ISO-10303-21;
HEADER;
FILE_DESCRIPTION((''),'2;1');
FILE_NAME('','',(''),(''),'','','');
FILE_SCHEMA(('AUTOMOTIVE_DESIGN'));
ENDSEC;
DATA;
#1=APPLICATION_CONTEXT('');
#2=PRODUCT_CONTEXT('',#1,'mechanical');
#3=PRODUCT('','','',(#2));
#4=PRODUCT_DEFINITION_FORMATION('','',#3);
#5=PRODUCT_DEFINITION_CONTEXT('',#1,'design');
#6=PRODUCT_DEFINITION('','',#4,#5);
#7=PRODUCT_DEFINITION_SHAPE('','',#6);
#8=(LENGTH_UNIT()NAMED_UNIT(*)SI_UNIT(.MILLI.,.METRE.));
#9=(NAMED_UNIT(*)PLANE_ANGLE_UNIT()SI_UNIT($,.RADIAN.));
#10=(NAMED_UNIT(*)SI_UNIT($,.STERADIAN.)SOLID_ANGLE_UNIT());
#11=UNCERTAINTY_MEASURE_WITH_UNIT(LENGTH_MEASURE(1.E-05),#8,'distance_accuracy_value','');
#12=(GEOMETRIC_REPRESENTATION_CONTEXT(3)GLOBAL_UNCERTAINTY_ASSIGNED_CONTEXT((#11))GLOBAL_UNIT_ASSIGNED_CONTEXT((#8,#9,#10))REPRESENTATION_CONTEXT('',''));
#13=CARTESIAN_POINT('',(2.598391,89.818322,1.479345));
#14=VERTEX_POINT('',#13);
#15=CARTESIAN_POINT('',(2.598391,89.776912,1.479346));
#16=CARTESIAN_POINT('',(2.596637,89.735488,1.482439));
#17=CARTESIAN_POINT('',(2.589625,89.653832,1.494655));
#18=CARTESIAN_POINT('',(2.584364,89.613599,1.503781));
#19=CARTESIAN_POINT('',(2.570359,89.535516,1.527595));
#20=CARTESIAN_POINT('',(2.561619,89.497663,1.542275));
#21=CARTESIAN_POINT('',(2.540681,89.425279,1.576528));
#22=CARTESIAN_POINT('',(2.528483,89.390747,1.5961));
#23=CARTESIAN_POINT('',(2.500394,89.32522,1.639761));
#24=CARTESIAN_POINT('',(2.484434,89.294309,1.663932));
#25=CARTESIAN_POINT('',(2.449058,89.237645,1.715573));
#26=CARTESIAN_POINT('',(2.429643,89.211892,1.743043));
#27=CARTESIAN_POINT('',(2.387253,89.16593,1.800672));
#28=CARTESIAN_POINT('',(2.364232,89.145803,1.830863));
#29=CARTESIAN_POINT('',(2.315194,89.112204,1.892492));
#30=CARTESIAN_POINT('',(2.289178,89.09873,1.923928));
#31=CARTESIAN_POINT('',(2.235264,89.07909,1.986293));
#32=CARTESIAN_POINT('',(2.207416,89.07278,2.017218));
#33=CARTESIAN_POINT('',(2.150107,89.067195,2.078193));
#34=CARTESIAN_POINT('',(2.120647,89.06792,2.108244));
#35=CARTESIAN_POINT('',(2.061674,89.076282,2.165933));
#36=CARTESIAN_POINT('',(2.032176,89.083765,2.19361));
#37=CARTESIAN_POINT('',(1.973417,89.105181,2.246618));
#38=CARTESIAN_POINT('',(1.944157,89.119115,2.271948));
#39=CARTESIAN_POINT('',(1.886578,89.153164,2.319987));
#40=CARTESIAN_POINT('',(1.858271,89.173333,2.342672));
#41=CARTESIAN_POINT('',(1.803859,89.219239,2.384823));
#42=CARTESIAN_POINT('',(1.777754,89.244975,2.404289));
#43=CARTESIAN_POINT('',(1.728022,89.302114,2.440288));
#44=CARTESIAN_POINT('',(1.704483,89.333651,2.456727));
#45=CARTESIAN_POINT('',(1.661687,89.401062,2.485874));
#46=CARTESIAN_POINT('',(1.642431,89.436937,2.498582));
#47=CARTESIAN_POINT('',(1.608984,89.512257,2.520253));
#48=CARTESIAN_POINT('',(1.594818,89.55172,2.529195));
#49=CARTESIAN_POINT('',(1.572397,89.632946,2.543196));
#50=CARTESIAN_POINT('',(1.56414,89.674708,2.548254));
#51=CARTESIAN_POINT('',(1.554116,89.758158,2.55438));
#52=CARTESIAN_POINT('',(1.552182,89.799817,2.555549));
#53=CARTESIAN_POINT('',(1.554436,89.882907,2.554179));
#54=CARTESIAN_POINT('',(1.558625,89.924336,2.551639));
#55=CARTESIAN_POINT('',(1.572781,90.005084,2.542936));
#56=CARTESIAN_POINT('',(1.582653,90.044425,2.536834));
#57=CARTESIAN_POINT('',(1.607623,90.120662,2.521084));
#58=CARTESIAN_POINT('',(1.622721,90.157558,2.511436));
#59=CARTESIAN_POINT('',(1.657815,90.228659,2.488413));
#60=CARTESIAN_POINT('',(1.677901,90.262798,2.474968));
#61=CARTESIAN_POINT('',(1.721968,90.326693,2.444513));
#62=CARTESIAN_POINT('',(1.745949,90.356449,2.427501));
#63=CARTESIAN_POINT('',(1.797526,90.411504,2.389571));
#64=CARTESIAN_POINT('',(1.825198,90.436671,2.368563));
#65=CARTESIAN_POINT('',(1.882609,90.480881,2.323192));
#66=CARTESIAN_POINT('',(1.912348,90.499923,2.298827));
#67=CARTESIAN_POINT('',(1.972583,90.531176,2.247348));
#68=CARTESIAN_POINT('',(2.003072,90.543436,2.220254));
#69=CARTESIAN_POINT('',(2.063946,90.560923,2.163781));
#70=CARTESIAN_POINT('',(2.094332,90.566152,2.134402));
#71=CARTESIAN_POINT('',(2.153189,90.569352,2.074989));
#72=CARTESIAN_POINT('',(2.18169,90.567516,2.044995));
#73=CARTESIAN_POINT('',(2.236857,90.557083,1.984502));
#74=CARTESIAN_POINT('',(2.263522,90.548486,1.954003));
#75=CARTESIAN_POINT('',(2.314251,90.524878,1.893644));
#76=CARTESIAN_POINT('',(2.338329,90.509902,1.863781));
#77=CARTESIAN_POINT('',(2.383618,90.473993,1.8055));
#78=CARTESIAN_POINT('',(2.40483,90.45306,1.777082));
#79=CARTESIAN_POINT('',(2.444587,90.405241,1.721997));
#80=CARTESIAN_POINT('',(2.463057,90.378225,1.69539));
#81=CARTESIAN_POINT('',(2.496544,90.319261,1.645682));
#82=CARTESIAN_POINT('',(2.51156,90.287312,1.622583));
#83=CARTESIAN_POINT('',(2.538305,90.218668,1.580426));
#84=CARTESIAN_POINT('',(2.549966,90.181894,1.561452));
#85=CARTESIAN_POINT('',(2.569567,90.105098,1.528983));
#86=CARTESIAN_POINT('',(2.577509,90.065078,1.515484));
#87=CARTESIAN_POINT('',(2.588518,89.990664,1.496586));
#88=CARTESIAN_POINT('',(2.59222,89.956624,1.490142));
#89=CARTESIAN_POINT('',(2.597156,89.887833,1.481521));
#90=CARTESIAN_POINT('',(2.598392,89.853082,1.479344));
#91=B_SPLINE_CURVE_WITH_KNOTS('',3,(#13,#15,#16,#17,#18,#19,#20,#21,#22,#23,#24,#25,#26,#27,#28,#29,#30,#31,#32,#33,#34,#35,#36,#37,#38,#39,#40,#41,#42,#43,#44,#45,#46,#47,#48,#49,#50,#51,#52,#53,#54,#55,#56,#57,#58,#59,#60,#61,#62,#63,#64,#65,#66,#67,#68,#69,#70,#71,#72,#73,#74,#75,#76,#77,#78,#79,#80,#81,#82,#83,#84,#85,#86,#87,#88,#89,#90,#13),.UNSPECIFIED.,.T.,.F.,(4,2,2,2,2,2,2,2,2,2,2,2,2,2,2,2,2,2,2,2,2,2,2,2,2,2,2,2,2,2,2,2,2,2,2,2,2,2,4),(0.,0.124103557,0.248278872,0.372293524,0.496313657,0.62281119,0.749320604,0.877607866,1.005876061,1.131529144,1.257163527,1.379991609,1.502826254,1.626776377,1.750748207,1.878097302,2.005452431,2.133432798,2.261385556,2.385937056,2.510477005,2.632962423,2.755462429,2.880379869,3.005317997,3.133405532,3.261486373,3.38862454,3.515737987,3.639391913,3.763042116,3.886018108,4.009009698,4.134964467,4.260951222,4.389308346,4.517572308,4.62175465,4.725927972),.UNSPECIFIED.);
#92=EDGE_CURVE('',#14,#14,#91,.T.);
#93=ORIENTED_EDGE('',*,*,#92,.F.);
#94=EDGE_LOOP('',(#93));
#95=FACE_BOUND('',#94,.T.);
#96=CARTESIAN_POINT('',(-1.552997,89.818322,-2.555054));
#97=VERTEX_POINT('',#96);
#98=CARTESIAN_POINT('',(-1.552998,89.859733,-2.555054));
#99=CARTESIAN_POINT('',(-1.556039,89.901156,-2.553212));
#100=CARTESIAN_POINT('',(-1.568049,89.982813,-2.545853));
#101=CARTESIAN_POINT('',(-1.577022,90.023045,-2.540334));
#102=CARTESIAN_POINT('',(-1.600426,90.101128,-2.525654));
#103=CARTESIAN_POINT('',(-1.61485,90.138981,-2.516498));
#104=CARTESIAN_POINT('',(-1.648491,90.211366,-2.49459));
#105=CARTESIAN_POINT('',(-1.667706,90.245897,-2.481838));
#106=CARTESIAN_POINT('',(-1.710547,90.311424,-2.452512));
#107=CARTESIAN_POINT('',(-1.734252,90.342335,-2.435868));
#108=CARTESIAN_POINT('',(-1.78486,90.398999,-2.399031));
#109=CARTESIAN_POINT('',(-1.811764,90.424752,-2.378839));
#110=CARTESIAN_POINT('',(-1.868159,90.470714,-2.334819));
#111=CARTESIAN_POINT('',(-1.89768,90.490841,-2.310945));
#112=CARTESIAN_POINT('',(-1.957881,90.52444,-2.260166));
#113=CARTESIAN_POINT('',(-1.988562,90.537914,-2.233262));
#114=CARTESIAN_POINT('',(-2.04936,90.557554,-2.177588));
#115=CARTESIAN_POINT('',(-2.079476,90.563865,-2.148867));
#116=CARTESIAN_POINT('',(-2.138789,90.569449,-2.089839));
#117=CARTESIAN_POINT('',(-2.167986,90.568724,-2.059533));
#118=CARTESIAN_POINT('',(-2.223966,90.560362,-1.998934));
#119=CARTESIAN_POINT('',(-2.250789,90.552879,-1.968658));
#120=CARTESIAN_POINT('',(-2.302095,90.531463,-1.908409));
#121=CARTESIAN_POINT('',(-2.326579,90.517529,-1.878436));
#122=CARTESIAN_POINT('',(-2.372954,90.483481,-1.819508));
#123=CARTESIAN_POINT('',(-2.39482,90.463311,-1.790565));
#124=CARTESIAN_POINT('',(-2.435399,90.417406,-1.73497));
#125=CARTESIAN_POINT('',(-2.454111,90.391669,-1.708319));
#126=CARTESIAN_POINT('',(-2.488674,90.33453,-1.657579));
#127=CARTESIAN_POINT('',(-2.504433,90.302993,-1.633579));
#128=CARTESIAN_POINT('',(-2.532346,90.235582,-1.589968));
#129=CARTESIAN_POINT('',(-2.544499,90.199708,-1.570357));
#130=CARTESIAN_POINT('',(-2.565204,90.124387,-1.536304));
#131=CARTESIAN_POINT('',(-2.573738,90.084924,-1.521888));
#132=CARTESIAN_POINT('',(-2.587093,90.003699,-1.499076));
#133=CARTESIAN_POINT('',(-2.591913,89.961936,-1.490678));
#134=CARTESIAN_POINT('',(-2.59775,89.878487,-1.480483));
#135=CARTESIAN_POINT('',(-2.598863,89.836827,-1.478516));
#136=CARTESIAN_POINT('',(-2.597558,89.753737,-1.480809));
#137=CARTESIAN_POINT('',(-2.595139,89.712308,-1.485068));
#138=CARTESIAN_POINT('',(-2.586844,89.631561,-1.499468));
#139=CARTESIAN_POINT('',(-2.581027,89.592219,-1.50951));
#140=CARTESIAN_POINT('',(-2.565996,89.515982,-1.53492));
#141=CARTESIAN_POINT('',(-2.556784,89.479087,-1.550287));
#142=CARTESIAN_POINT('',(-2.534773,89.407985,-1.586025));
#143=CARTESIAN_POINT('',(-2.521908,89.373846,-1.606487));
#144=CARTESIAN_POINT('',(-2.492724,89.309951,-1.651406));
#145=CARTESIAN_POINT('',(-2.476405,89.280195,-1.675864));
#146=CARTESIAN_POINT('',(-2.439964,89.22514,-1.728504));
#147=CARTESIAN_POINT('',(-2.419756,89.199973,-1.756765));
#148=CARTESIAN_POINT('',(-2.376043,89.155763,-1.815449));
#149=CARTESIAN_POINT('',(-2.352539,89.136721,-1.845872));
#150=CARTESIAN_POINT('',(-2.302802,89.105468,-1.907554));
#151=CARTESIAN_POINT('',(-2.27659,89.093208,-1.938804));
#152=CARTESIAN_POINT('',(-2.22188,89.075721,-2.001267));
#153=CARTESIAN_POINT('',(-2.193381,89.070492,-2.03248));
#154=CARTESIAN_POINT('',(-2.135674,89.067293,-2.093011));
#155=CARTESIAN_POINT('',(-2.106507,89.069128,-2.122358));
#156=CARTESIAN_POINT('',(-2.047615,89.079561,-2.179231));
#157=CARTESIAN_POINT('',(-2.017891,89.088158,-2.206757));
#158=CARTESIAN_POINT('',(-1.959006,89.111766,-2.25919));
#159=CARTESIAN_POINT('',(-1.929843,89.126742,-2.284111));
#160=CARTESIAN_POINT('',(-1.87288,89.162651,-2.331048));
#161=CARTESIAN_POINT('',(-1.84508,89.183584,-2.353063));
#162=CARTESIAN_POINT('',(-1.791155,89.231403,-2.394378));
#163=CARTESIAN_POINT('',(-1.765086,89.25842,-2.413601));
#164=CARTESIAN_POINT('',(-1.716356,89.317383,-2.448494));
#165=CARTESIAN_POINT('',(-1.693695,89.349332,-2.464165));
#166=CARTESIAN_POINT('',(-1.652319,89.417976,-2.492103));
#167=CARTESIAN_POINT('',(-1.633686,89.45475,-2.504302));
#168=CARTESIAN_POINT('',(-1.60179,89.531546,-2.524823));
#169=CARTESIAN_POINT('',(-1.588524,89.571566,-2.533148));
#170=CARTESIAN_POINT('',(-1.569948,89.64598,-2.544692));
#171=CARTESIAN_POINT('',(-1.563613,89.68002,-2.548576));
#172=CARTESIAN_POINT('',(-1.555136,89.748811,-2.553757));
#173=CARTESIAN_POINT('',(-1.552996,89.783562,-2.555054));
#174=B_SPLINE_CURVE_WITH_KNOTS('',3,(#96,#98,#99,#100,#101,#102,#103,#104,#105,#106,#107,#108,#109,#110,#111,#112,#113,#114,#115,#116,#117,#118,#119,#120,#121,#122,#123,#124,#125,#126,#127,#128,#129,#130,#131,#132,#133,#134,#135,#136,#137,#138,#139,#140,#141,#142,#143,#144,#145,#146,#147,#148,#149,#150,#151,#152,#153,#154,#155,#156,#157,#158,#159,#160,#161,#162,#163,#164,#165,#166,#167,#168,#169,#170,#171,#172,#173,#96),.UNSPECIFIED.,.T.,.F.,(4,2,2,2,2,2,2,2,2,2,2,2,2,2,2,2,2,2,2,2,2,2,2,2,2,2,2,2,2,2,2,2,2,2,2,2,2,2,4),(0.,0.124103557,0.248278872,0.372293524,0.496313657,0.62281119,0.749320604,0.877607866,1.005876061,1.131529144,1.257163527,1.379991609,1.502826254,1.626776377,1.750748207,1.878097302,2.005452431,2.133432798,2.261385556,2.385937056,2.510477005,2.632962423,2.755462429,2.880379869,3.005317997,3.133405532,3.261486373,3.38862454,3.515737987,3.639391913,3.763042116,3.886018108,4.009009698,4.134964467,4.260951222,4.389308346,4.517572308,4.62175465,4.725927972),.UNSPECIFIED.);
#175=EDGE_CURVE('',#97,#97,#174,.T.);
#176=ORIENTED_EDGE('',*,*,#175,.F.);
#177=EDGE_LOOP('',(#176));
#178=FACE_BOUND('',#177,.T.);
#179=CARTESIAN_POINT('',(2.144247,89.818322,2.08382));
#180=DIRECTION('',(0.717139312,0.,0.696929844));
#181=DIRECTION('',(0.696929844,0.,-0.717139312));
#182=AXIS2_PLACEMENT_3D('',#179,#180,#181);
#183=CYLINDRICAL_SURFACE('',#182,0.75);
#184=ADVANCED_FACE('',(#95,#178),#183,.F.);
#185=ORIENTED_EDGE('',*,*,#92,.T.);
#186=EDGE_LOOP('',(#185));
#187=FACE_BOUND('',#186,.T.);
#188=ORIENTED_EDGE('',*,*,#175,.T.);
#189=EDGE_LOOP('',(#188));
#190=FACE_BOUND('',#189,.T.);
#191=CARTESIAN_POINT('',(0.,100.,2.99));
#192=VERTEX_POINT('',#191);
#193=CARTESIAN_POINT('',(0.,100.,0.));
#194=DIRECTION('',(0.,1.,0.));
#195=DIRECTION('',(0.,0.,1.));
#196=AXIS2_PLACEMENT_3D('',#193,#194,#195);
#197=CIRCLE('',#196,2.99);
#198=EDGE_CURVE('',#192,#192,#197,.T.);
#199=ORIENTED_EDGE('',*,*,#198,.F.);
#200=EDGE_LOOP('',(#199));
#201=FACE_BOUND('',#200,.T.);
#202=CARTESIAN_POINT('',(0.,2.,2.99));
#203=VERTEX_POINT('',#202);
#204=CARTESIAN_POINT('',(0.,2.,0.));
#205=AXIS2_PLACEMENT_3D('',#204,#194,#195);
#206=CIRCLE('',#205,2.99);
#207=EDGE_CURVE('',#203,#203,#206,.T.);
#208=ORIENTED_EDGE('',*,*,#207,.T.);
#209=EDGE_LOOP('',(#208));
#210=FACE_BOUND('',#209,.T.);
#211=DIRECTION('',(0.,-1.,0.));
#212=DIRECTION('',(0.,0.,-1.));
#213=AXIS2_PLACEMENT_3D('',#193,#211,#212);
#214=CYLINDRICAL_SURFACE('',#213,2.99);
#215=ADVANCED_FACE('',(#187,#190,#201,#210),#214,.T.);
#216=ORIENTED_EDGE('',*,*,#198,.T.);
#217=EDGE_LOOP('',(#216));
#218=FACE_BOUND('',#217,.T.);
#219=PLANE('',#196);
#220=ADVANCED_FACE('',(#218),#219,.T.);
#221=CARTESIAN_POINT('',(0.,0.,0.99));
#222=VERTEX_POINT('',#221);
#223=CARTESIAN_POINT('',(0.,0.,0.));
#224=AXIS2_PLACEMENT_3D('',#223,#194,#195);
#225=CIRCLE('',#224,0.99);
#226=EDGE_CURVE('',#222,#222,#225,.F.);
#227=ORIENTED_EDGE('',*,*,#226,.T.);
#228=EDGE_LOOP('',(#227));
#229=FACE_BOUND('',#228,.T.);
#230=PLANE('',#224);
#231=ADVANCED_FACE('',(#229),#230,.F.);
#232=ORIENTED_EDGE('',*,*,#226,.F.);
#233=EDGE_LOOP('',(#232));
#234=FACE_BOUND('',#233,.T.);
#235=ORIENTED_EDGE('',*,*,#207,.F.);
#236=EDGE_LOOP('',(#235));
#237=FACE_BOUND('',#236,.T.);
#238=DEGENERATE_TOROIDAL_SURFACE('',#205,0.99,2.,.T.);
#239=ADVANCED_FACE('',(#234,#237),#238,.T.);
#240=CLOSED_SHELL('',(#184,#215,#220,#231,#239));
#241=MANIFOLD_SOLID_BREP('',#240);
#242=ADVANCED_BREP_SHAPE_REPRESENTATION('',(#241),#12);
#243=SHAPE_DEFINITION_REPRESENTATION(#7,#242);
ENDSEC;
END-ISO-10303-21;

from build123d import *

# Parameters (mm, degrees)
SKETCH1_R                 = 2.99
BOSS_EXTRUDE1_DEPTH       = 100
F_1_5MM_DOWEL_HOLE5_D     = 1.5
F_1_5MM_DOWEL_HOLE5_DEPTH = 20
F_1_5MM_DOWEL_HOLE5_TIP   = 0.450645464
FILLET1_R                 = 2


with BuildPart() as part:
    # Sketch1 → Boss-Extrude1 (new body)
    with BuildSketch(Plane(origin=(0, 0, 0), x_dir=(1, 0, 0), z_dir=(0, 1, 0))):
        Circle(SKETCH1_R)
    extrude(amount=BOSS_EXTRUDE1_DEPTH)

    # Ø1.5mm Dowel Hole5
    with Locations(Plane(origin=(2.144246544, 89.818322141, 2.083820232), x_dir=(-0.696929844, 0, 0.717139312), z_dir=(0.717139312, 0, 0.696929844))):
        with Locations((0, 0)):
            Hole(F_1_5MM_DOWEL_HOLE5_D / 2, depth=F_1_5MM_DOWEL_HOLE5_DEPTH)
            with Locations((0, 0, -(F_1_5MM_DOWEL_HOLE5_DEPTH + F_1_5MM_DOWEL_HOLE5_TIP / 2))):  # 118° drill point
                Cone(0, F_1_5MM_DOWEL_HOLE5_D / 2, F_1_5MM_DOWEL_HOLE5_TIP, mode=Mode.SUBTRACT)

    # Fillet1
    fillet1_edges = [part.edges().sort_by_distance(p)[0] for p in [
        (-2.99, 0, 0),
    ]]
    fillet(fillet1_edges, radius=FILLET1_R)


solid = part.part
